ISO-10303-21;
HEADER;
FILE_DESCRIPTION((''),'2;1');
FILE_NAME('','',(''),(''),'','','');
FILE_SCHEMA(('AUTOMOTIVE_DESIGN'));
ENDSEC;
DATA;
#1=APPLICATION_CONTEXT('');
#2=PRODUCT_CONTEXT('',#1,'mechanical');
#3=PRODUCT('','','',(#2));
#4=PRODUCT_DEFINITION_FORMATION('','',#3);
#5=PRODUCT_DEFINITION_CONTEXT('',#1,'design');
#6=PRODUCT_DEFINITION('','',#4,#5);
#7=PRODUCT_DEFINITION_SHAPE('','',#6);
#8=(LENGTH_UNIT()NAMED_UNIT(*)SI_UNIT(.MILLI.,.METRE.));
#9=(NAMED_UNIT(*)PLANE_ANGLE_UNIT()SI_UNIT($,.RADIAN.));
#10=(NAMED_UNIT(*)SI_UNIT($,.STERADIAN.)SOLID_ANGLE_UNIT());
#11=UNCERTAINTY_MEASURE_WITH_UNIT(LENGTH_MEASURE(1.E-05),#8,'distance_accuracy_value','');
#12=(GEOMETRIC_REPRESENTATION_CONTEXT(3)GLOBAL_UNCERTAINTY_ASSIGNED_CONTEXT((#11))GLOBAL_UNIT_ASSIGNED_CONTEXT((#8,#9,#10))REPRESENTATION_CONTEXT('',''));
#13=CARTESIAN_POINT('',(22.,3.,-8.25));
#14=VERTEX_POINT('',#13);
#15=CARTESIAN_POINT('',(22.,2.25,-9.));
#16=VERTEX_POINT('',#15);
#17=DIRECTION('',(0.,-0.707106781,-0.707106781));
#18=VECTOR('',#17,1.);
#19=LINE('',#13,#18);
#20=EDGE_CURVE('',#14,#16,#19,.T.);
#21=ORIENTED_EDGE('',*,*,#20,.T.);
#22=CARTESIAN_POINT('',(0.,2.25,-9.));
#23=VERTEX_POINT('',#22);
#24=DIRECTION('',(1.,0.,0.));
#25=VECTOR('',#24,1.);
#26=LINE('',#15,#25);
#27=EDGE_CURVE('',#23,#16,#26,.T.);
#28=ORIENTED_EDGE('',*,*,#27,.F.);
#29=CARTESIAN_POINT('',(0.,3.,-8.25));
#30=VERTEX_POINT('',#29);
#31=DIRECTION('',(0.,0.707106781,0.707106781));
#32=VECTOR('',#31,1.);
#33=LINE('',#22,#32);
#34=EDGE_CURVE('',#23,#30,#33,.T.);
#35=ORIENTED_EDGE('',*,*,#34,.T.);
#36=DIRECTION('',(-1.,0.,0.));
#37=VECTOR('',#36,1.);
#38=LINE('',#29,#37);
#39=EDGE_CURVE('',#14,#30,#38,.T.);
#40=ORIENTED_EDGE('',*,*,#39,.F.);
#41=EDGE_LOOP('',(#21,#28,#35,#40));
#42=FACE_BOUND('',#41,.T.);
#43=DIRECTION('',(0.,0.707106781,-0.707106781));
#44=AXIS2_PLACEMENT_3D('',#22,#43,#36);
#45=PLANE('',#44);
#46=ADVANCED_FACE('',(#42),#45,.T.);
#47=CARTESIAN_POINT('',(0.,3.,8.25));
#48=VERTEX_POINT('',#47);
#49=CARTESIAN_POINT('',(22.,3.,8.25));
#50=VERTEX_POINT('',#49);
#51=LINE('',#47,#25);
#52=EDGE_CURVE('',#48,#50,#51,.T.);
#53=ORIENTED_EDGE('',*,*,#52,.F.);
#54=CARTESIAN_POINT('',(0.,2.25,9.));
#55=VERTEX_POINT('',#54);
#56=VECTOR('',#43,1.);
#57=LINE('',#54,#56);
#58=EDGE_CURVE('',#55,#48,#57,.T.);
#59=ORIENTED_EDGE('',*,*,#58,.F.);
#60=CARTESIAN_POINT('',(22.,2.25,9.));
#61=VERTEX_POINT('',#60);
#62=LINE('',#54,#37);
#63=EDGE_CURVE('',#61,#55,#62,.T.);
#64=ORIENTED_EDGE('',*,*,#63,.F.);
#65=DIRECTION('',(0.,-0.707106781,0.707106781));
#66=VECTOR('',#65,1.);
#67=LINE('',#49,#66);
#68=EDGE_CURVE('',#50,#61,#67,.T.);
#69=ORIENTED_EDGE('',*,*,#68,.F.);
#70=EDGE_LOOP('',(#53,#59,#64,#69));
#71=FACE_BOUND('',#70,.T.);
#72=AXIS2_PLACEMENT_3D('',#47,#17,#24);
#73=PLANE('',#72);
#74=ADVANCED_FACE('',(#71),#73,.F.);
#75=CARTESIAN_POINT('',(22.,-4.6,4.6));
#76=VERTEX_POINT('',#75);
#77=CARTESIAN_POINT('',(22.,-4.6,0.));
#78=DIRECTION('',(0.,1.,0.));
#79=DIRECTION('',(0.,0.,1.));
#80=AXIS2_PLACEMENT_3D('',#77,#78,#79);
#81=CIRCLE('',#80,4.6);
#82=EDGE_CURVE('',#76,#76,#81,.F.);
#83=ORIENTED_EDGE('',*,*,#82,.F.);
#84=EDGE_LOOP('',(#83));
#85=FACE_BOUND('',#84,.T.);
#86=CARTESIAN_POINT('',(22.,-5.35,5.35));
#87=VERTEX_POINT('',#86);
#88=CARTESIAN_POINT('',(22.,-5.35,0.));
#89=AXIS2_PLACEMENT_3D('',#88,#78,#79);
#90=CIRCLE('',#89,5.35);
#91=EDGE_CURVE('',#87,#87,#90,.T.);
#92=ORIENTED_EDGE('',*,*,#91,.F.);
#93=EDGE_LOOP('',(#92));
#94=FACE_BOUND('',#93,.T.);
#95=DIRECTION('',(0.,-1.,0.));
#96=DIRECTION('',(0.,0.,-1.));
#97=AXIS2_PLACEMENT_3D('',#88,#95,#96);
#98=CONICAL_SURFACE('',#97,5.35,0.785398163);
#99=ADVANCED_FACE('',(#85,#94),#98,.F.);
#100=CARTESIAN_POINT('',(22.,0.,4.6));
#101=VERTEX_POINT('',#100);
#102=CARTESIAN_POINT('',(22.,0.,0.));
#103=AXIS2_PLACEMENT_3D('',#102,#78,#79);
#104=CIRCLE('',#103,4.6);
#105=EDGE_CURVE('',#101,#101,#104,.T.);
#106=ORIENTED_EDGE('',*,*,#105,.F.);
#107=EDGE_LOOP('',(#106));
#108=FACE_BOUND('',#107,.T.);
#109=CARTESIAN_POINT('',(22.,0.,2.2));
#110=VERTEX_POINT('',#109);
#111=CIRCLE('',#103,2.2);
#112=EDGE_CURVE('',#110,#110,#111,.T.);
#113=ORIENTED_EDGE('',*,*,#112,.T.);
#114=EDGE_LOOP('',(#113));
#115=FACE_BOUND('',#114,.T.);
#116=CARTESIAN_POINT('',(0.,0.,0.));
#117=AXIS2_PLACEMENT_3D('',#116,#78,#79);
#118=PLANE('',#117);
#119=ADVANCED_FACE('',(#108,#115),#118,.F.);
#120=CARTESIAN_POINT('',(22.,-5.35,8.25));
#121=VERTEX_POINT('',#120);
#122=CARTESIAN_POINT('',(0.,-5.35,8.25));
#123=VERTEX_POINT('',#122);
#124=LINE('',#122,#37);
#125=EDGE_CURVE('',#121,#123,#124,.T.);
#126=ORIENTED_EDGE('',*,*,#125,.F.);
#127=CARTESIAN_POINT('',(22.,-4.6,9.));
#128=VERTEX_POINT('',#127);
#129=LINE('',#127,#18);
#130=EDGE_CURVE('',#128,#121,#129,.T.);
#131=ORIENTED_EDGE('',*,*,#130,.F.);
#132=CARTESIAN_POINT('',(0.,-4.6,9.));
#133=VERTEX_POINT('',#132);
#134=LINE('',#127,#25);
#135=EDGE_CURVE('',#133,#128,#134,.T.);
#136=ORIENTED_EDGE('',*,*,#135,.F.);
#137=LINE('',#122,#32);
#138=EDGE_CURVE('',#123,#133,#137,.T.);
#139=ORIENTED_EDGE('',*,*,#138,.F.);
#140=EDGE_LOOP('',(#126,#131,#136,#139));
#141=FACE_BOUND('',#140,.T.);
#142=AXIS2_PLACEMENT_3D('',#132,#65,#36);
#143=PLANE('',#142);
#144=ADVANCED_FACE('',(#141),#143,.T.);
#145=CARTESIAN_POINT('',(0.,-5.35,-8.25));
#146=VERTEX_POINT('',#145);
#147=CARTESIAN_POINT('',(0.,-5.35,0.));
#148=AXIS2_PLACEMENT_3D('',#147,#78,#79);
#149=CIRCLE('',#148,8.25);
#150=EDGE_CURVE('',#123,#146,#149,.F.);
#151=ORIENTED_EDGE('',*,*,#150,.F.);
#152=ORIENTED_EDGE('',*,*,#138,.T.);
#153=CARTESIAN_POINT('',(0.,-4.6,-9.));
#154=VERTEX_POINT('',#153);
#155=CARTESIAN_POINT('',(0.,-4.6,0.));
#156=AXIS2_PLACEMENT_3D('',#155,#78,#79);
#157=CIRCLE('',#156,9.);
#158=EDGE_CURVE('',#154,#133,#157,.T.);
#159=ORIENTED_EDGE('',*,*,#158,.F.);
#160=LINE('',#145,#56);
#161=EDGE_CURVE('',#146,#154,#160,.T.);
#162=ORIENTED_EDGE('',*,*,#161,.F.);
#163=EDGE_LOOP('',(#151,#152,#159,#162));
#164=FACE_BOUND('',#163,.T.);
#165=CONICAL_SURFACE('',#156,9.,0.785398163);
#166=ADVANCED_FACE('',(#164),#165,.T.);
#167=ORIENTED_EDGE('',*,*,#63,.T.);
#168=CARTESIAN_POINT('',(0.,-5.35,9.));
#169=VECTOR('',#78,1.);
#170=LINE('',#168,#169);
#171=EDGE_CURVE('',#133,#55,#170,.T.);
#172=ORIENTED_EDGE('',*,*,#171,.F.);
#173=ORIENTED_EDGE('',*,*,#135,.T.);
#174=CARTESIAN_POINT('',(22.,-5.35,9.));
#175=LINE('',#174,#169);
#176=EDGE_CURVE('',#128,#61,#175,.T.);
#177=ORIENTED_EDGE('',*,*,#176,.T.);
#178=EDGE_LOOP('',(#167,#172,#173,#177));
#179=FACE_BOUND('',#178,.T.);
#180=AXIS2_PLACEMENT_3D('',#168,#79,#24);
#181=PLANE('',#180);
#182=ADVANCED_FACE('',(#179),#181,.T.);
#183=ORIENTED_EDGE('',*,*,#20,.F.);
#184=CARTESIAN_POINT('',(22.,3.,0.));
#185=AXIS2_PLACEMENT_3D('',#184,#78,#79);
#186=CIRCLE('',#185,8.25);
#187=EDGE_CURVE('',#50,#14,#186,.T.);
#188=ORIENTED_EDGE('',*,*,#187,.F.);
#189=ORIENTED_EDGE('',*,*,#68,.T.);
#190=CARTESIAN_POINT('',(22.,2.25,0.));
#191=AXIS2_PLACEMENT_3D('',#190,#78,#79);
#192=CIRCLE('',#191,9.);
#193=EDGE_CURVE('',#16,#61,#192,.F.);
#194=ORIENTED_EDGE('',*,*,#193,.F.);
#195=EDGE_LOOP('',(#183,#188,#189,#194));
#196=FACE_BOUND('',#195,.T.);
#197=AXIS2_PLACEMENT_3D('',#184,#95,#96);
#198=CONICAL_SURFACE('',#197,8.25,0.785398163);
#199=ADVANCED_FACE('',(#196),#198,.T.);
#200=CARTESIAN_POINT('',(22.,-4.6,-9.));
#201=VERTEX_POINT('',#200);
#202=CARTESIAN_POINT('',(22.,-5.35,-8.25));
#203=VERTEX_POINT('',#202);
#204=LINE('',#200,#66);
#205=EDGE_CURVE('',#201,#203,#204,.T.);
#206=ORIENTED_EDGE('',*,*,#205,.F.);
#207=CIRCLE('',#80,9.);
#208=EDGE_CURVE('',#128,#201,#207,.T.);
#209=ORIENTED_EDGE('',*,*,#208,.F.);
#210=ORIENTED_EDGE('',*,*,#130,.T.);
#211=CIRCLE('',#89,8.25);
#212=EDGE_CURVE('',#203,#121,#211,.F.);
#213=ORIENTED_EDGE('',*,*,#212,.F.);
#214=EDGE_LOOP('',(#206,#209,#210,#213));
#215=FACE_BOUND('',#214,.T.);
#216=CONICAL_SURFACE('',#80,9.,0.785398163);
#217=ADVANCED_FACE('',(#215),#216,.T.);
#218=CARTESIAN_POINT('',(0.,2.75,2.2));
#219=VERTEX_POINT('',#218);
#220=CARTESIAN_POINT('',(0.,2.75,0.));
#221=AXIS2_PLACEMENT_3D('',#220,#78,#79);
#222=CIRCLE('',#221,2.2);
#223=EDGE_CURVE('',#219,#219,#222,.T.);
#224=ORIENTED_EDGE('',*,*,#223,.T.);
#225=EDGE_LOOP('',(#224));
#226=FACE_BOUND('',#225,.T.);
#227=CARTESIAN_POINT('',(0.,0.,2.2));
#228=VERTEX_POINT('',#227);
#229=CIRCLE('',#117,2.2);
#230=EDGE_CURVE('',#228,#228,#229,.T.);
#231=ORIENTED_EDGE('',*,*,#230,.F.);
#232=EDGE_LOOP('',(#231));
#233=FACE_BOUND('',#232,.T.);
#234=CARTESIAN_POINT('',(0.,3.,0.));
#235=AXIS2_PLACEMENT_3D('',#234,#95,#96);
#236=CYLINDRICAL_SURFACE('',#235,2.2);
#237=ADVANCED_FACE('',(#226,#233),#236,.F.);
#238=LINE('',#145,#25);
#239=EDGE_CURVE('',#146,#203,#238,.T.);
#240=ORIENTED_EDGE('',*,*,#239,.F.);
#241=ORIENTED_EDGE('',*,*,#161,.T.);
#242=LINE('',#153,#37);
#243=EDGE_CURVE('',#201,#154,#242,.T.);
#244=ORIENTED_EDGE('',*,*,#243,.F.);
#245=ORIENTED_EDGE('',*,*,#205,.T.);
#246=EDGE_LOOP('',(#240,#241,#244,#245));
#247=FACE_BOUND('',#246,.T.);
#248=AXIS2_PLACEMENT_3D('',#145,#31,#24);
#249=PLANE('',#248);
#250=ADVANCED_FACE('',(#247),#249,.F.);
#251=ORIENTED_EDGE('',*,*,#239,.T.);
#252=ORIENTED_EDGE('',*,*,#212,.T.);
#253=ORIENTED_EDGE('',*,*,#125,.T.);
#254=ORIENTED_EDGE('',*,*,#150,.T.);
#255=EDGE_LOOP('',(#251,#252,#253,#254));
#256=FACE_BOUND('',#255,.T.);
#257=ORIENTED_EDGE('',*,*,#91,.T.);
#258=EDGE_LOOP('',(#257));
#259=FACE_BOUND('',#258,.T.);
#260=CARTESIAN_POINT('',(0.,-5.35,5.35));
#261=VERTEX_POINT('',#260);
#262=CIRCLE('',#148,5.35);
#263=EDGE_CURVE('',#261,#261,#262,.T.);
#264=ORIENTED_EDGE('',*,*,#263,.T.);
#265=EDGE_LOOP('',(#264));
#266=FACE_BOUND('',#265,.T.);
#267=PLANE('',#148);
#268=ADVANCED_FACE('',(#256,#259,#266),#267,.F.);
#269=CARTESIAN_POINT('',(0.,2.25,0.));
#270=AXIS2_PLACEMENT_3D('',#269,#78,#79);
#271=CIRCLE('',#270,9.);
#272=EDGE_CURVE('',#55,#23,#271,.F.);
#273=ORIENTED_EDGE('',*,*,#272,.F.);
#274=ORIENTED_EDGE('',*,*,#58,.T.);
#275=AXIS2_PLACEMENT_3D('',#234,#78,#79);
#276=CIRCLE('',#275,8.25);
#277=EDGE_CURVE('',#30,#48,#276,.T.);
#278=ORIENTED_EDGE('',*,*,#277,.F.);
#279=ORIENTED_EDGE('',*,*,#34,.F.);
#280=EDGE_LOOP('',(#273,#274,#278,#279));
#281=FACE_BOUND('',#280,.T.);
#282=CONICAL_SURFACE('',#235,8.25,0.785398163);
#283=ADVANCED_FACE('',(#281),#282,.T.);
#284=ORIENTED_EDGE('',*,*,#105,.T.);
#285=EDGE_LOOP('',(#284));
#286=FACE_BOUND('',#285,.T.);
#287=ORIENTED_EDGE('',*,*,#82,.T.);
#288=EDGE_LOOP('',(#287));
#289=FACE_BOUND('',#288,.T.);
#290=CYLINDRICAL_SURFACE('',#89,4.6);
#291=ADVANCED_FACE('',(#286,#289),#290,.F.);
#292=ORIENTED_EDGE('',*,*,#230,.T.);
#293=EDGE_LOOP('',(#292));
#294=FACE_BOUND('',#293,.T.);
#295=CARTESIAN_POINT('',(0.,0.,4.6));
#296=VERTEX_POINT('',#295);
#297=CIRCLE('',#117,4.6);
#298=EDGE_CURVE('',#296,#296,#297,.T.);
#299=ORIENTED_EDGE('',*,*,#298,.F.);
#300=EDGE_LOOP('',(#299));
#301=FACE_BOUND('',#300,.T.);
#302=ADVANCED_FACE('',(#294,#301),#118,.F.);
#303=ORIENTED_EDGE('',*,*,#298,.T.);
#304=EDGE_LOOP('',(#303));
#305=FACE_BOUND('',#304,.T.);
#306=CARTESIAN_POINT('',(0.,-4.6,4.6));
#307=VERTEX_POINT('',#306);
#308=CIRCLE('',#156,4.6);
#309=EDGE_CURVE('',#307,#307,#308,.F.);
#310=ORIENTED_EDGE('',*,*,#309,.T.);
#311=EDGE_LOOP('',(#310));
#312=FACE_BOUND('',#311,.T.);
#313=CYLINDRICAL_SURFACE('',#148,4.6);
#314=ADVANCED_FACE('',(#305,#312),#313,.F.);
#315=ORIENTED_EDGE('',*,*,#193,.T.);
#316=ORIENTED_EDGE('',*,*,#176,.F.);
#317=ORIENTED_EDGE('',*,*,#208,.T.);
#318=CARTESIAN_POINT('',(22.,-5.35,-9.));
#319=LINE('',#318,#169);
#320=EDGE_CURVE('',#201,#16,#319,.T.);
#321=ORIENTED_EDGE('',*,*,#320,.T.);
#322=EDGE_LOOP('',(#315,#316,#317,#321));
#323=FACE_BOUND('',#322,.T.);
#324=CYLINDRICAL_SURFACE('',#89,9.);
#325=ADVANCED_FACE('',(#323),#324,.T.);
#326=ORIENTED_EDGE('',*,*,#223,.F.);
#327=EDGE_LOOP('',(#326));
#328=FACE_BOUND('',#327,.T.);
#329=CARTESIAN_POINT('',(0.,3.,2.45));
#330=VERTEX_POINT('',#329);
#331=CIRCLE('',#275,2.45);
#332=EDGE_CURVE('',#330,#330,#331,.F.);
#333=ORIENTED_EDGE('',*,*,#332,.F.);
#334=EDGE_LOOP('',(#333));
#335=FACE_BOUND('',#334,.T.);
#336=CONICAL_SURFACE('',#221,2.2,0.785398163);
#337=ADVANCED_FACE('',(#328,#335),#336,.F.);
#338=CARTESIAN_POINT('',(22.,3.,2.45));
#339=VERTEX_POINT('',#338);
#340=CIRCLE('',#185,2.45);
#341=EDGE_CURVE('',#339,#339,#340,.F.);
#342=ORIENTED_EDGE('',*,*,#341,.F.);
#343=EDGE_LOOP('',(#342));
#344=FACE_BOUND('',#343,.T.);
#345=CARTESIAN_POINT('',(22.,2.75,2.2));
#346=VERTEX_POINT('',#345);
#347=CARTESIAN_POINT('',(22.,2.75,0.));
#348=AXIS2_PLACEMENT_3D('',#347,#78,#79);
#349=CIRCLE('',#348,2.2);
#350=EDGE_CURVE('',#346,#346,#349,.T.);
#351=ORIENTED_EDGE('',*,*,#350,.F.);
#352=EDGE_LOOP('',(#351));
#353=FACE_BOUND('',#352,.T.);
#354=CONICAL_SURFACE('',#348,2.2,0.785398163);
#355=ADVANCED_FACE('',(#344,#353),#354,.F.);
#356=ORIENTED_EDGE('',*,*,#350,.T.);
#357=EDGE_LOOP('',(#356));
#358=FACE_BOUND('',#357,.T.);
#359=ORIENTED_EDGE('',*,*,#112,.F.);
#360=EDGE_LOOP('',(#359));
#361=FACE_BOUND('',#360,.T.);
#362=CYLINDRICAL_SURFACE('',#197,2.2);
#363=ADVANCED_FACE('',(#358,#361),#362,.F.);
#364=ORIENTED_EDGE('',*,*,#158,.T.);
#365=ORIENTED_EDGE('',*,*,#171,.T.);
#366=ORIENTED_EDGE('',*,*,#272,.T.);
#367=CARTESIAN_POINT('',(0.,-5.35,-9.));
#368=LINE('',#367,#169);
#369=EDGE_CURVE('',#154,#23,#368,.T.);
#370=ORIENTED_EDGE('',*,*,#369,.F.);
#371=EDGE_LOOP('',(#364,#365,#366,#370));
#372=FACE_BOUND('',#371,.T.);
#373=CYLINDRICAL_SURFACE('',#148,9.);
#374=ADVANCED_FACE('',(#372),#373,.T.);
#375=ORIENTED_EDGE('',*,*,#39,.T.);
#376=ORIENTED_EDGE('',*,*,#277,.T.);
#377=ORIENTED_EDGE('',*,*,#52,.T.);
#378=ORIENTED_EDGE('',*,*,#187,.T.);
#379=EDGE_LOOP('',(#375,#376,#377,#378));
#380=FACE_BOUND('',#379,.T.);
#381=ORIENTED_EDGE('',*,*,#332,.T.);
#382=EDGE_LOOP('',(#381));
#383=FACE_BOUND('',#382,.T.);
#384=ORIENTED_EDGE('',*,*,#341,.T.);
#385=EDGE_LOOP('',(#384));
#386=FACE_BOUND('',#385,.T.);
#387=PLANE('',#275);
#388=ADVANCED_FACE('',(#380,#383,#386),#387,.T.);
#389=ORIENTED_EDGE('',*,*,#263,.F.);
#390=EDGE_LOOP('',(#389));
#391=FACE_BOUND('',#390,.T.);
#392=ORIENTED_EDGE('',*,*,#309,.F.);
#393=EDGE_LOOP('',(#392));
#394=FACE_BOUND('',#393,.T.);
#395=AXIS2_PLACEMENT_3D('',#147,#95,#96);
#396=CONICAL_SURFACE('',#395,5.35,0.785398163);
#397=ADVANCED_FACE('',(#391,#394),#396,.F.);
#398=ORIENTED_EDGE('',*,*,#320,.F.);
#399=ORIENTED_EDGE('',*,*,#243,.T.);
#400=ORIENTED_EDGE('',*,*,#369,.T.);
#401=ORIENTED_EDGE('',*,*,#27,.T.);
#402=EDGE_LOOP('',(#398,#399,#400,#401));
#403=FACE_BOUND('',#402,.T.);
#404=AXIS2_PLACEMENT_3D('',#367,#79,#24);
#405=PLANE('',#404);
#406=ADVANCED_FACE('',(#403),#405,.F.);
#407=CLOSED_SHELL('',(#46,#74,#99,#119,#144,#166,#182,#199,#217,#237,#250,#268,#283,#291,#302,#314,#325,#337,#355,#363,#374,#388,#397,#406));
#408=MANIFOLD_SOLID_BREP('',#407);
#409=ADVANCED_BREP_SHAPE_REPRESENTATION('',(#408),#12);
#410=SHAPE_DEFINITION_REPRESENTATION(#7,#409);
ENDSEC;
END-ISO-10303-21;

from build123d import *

# Parameters (mm, degrees)
SKETCH1_R           = 4.6
BOSS_EXTRUDE1_DEPTH = 5.35
BOSS_EXTRUDE2_START = 3
SKETCH1_3_R         = 2.2
BOSS_EXTRUDE2_DEPTH = 3
CHAMFER1_SIZE       = 0.75
CHAMFER2_SIZE       = 0.25


with BuildPart() as part:
    # Sketch1 → Boss-Extrude1 (new body)
    with BuildSketch(Plane(origin=(0, 0, 0), x_dir=(1, 0, 0), z_dir=(0, 1, 0))):
        with BuildLine():
            Line((22, 9), (0, 9))
            ThreePointArc((0, 9), (-9, 0), (0, -9))
            Line((0, -9), (22, -9))
            ThreePointArc((22, -9), (31, 0), (22, 9))
        make_face()
        Circle(SKETCH1_R, mode=Mode.SUBTRACT)
        with Locations((22, 0)):
            Circle(SKETCH1_R, mode=Mode.SUBTRACT)
    extrude(amount=-BOSS_EXTRUDE1_DEPTH)

    # Sketch1<3> → Boss-Extrude2 (add)
    with BuildSketch(Plane(origin=(0, 0, 0), x_dir=(1, 0, 0), z_dir=(0, 1, 0)).offset(BOSS_EXTRUDE2_START)):
        with BuildLine():
            Line((22, 9), (0, 9))
            ThreePointArc((0, 9), (-9, 0), (0, -9))
            Line((0, -9), (22, -9))
            ThreePointArc((22, -9), (31, 0), (22, 9))
        make_face()
        Circle(SKETCH1_3_R, mode=Mode.SUBTRACT)
        with Locations((22, 0)):
            Circle(SKETCH1_3_R, mode=Mode.SUBTRACT)
    extrude(amount=-BOSS_EXTRUDE2_DEPTH)

    # Chamfer1
    chamfer1_edges = [part.edges().sort_by_distance(p)[0] for p in [
        (17.4, -5.35, 0),
        (-4.6, -5.35, 0),
        (11, -5.35, -9),
        (-9, -5.35, 0),
        (31, -5.35, 0),
        (11, -5.35, 9),
        (11, 3, -9),
        (-9, 3, 0),
        (31, 3, 0),
        (11, 3, 9),
    ]]
    chamfer(chamfer1_edges, length=CHAMFER1_SIZE)

    # Chamfer2
    chamfer2_edges = [part.edges().sort_by_distance(p)[0] for p in [
        (19.8, 3, 0),
        (-2.2, 3, 0),
    ]]
    chamfer(chamfer2_edges, length=CHAMFER2_SIZE)


solid = part.part
